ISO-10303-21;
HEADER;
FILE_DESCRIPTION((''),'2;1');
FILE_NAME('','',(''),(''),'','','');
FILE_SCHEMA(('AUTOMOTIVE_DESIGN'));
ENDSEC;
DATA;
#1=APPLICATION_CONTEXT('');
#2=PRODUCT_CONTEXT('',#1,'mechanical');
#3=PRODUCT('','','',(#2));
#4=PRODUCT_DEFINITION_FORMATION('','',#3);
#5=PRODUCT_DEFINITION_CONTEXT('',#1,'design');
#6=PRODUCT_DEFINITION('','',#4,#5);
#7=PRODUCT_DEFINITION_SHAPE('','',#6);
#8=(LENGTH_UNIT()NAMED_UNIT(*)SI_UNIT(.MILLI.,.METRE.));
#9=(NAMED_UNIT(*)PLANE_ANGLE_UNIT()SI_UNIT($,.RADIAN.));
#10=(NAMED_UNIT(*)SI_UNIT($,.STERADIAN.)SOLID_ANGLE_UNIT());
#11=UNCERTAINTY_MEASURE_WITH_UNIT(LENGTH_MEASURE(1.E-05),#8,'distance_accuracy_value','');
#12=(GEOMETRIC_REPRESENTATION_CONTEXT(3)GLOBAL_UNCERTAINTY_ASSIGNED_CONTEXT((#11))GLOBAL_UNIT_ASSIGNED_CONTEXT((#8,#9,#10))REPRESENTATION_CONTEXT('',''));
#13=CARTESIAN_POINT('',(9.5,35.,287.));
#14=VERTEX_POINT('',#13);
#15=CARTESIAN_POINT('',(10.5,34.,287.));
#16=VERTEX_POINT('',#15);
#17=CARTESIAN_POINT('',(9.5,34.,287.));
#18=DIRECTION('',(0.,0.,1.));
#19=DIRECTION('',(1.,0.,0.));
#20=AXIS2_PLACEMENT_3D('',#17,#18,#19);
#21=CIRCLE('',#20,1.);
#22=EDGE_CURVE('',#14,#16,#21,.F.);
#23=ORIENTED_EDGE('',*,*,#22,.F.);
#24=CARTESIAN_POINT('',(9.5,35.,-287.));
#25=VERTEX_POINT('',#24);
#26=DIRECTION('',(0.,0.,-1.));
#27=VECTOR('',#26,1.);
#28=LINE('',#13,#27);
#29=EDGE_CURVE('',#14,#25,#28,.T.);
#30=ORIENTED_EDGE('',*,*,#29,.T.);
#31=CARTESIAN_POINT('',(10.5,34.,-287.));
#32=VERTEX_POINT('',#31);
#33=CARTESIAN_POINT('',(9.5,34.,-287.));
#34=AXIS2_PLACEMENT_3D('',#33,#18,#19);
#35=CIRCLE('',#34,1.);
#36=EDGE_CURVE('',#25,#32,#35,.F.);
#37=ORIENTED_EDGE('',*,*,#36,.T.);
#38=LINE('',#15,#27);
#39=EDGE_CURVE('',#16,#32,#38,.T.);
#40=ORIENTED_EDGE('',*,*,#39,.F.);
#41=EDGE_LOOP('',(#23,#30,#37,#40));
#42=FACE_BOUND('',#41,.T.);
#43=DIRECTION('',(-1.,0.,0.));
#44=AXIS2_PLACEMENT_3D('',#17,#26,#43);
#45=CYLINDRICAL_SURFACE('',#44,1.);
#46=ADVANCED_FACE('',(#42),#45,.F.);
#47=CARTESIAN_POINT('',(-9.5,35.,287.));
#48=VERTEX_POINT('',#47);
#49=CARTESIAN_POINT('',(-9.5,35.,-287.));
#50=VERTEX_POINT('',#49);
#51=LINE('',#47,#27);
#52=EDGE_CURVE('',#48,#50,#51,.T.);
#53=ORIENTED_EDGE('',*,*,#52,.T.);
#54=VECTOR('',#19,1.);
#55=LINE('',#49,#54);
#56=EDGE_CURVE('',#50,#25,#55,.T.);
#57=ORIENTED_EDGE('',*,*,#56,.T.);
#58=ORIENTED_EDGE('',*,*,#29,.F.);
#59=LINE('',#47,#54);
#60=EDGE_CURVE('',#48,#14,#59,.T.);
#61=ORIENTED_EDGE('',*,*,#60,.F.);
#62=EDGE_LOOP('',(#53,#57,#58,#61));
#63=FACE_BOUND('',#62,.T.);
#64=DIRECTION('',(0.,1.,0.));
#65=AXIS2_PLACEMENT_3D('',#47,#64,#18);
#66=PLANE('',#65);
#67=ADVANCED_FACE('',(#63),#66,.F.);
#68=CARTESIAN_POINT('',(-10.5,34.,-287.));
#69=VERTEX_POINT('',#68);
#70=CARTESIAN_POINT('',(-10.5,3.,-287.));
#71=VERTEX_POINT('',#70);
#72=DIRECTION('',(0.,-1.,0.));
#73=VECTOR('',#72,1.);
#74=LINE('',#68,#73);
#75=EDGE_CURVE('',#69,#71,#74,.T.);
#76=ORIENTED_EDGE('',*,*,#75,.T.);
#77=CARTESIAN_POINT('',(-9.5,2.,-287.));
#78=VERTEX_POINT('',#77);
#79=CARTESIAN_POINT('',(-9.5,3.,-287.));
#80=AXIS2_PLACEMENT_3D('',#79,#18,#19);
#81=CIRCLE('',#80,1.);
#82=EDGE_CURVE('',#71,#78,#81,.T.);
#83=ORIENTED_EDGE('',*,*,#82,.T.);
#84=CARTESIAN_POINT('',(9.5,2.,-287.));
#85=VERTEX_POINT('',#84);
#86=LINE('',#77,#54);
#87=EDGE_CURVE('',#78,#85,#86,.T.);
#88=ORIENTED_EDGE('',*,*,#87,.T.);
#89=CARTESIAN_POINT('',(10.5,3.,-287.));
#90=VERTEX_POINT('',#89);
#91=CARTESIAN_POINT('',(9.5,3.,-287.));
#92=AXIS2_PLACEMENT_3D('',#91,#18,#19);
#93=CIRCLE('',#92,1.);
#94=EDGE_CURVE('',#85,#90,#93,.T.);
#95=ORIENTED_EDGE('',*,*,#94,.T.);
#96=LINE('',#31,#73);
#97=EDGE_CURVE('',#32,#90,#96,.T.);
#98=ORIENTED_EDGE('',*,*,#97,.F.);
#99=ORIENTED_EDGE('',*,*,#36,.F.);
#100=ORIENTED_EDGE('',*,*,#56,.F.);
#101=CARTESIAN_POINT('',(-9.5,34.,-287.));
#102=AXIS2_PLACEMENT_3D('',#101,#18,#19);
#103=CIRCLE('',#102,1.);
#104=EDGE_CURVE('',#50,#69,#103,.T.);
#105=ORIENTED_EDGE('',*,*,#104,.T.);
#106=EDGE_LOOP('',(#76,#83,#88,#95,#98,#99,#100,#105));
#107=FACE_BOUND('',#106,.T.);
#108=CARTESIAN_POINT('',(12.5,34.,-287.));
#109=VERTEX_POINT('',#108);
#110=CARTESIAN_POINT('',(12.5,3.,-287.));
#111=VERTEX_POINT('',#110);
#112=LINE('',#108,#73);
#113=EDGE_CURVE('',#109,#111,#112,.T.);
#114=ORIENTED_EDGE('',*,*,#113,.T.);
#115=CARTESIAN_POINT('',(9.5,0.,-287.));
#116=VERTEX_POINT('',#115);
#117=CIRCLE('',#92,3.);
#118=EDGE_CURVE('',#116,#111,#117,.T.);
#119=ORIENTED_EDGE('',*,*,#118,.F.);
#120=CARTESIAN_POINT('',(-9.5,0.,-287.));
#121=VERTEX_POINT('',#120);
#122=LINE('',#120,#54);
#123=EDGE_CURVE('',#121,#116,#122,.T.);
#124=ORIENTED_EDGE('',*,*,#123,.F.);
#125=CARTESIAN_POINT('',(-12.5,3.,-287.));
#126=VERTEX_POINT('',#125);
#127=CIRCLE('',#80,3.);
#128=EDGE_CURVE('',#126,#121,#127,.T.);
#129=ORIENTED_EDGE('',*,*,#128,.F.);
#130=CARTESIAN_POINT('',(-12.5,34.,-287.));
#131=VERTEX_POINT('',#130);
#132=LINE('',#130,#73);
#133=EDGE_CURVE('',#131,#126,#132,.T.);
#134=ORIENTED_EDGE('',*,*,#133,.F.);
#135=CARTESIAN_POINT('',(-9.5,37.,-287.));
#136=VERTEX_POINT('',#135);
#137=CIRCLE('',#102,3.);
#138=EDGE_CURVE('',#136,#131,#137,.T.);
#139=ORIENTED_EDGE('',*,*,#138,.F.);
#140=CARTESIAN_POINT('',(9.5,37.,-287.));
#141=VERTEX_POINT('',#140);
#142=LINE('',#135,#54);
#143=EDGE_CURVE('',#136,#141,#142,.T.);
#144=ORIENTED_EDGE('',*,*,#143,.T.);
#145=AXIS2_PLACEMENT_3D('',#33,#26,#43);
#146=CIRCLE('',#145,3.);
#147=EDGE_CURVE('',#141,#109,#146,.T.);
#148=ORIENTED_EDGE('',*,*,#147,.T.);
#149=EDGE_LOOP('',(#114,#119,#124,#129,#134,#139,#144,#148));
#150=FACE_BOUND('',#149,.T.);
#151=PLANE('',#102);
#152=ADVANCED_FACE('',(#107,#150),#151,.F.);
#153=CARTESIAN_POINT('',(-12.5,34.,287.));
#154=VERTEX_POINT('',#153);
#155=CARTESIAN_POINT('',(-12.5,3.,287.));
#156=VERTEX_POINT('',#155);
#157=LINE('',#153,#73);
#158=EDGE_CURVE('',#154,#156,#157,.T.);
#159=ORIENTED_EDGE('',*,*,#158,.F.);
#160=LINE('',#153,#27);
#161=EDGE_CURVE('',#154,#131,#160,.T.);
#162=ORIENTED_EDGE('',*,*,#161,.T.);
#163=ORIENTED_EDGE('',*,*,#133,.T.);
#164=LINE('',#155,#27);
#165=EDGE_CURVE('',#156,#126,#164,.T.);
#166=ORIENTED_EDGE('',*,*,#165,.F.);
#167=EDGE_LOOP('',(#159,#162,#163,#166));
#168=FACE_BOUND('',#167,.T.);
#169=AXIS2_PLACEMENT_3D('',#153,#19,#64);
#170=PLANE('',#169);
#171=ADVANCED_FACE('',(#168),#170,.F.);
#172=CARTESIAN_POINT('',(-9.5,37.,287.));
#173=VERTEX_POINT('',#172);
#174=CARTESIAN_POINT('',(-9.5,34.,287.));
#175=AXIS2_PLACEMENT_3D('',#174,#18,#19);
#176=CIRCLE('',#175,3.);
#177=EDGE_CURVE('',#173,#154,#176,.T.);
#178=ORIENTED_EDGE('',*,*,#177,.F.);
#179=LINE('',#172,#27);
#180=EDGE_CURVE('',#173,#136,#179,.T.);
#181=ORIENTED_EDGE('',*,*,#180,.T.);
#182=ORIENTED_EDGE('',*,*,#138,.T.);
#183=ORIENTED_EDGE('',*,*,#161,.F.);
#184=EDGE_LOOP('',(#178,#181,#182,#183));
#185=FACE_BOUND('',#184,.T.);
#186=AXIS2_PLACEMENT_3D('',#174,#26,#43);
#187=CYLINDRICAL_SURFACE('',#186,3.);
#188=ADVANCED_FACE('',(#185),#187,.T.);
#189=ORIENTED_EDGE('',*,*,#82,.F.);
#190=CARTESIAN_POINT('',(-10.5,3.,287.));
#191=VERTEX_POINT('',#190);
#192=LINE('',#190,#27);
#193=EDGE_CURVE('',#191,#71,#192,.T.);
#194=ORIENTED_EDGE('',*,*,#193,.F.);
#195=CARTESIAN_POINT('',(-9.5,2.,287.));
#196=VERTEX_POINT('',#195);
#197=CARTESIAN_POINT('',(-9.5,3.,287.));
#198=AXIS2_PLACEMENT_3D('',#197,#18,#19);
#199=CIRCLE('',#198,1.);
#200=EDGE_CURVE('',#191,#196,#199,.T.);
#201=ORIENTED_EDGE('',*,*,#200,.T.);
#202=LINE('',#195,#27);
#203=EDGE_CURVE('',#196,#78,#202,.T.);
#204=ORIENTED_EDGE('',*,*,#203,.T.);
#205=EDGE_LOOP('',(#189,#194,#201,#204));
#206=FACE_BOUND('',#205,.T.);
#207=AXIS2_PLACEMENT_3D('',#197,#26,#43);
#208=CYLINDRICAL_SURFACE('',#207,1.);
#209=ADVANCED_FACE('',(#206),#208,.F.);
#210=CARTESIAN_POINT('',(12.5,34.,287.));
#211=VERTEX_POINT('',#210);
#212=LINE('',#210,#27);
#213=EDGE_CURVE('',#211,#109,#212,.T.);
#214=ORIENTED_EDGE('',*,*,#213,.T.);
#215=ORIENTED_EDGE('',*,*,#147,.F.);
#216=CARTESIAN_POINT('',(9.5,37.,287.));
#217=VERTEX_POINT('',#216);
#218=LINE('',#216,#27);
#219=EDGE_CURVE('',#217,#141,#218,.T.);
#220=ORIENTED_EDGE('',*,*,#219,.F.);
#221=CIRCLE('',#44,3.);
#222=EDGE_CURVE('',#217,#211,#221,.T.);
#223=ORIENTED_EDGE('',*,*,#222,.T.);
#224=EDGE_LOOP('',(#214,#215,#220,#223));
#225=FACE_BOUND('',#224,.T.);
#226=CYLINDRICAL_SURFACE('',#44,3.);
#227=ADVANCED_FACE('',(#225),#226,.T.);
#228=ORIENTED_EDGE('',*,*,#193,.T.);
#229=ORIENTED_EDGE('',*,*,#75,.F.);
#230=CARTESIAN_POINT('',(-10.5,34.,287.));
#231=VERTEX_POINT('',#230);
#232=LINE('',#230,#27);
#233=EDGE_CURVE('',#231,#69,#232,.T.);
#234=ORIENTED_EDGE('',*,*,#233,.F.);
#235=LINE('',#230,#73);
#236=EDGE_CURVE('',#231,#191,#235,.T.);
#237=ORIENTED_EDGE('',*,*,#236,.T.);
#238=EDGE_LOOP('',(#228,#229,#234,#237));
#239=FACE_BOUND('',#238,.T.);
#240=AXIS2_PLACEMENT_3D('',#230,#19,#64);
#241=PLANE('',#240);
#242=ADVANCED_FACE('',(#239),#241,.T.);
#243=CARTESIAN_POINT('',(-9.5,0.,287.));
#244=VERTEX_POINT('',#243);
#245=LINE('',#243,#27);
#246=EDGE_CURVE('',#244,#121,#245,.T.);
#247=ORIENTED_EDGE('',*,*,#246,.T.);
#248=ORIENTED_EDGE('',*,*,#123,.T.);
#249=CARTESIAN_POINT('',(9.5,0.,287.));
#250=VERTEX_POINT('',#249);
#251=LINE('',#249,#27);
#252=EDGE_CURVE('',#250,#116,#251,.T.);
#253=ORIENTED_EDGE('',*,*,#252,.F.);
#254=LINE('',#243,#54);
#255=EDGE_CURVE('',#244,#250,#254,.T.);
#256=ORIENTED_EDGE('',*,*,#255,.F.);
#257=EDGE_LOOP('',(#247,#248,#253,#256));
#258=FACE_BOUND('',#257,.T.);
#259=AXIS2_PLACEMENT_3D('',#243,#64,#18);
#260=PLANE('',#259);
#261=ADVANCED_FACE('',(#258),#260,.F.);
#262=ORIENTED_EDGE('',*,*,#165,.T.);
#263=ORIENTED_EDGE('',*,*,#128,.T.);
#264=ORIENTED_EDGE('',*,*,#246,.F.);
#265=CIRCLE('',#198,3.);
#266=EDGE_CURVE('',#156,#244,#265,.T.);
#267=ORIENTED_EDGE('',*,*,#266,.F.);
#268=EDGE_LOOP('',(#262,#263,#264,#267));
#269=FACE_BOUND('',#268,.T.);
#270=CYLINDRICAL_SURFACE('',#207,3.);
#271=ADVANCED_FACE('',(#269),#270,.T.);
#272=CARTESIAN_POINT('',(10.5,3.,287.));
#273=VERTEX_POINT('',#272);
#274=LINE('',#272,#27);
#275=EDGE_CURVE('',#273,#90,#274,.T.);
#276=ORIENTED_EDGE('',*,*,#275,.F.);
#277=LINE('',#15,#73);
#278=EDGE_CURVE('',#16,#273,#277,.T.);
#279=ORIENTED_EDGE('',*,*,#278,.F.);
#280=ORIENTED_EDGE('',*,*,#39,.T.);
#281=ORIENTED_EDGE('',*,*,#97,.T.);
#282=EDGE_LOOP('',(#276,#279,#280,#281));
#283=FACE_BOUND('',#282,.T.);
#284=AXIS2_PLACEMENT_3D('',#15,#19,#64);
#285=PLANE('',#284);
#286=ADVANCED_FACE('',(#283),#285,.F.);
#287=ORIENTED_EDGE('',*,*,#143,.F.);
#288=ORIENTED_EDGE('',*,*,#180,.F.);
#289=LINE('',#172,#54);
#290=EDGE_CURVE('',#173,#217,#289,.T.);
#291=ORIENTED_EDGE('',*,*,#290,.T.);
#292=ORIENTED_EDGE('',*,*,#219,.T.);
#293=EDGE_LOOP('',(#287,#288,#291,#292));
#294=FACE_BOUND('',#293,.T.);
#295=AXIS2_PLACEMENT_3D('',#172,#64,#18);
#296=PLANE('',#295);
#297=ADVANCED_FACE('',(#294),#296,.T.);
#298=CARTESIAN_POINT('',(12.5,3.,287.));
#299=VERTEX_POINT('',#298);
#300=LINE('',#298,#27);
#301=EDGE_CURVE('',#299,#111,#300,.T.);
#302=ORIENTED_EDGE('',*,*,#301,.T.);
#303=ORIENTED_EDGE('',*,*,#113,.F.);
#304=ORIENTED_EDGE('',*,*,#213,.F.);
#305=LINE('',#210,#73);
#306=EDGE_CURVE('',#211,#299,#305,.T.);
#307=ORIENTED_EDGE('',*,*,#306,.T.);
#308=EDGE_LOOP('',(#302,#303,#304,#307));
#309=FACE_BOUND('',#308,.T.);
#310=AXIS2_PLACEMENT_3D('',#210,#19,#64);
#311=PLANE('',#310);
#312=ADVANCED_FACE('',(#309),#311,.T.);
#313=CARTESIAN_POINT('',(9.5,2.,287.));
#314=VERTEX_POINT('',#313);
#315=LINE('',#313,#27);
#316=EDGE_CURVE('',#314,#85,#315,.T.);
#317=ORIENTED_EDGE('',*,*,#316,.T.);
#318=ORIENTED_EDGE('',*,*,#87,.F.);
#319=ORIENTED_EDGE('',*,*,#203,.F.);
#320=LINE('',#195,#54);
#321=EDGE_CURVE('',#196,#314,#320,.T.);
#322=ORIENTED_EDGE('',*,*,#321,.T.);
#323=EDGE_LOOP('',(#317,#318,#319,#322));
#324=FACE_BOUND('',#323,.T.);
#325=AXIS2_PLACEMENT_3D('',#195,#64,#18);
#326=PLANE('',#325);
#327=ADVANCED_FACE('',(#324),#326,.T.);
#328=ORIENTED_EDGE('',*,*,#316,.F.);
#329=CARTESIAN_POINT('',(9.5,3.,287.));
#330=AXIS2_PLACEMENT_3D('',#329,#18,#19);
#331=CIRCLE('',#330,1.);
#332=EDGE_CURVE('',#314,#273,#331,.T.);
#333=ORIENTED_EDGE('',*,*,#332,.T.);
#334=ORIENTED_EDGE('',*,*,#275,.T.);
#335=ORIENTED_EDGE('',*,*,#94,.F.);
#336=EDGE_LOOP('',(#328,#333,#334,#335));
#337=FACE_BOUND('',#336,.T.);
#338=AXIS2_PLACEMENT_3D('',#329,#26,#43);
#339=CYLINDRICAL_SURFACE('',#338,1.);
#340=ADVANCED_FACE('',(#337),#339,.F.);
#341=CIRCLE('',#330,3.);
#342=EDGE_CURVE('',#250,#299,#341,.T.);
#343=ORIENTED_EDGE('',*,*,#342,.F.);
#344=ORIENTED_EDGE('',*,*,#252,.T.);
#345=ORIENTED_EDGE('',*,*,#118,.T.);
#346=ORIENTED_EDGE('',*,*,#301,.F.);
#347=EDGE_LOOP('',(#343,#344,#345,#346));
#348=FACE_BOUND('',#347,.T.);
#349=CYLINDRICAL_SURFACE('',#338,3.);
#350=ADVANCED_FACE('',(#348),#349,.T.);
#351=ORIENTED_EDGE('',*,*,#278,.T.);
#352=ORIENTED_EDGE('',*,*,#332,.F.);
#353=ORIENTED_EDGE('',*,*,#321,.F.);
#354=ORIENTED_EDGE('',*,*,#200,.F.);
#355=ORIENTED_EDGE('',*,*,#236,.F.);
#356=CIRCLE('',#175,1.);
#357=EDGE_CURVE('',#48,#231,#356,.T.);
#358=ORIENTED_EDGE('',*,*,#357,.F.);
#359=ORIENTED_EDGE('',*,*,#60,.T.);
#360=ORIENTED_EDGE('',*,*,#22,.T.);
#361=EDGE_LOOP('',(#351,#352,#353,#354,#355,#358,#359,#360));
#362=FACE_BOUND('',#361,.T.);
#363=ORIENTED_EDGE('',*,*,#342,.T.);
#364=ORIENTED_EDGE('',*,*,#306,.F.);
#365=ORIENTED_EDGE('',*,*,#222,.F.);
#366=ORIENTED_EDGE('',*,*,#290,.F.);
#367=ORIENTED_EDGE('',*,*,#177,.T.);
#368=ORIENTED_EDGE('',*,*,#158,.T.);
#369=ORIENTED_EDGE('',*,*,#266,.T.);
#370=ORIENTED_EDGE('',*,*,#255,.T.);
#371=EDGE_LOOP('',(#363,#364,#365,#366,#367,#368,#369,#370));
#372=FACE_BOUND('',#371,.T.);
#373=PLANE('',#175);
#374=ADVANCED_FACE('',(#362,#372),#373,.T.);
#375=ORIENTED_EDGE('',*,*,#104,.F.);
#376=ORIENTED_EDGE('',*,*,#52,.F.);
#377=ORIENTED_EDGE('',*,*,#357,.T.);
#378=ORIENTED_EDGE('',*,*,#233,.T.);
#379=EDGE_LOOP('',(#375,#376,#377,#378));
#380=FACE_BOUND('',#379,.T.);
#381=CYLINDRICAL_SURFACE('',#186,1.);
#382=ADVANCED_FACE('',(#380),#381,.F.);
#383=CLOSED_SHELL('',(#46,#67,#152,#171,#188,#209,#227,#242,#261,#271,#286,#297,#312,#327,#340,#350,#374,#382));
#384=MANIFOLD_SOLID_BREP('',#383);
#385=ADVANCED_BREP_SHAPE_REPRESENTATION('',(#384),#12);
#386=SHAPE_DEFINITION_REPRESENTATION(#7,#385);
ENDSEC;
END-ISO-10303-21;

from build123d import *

# Parameters (mm, degrees)
EXTRUDE_THIN1_DEPTH = 287


with BuildPart() as part:
    # Sketch1 → Extrude-Thin1 (new body, symmetric)
    with BuildSketch(Plane.XY):
        with BuildLine():
            Line((-9.5, 37), (9.5, 37))
            ThreePointArc((9.5, 37), (11.621320344, 36.121320344), (12.5, 34))
            Line((12.5, 34), (12.5, 3))
            ThreePointArc((12.5, 3), (11.621320344, 0.878679656), (9.5, 0))
            Line((9.5, 0), (-9.5, 0))
            ThreePointArc((-9.5, 0), (-11.621320344, 0.878679656), (-12.5, 3))
            Line((-12.5, 3), (-12.5, 34))
            ThreePointArc((-12.5, 34), (-11.621320344, 36.121320344), (-9.5, 37))
        make_face()
        with BuildLine():
            Line((-9.5, 35), (9.5, 35))
            ThreePointArc((9.5, 35), (10.207106781, 34.707106781), (10.5, 34))
            Line((10.5, 34), (10.5, 3))
            ThreePointArc((10.5, 3), (10.207106781, 2.292893219), (9.5, 2))
            Line((9.5, 2), (-9.5, 2))
            ThreePointArc((-9.5, 2), (-10.207106781, 2.292893219), (-10.5, 3))
            Line((-10.5, 3), (-10.5, 34))
            ThreePointArc((-10.5, 34), (-10.207106781, 34.707106781), (-9.5, 35))
        make_face(mode=Mode.SUBTRACT)
    extrude(amount=EXTRUDE_THIN1_DEPTH, both=True)


solid = part.part
